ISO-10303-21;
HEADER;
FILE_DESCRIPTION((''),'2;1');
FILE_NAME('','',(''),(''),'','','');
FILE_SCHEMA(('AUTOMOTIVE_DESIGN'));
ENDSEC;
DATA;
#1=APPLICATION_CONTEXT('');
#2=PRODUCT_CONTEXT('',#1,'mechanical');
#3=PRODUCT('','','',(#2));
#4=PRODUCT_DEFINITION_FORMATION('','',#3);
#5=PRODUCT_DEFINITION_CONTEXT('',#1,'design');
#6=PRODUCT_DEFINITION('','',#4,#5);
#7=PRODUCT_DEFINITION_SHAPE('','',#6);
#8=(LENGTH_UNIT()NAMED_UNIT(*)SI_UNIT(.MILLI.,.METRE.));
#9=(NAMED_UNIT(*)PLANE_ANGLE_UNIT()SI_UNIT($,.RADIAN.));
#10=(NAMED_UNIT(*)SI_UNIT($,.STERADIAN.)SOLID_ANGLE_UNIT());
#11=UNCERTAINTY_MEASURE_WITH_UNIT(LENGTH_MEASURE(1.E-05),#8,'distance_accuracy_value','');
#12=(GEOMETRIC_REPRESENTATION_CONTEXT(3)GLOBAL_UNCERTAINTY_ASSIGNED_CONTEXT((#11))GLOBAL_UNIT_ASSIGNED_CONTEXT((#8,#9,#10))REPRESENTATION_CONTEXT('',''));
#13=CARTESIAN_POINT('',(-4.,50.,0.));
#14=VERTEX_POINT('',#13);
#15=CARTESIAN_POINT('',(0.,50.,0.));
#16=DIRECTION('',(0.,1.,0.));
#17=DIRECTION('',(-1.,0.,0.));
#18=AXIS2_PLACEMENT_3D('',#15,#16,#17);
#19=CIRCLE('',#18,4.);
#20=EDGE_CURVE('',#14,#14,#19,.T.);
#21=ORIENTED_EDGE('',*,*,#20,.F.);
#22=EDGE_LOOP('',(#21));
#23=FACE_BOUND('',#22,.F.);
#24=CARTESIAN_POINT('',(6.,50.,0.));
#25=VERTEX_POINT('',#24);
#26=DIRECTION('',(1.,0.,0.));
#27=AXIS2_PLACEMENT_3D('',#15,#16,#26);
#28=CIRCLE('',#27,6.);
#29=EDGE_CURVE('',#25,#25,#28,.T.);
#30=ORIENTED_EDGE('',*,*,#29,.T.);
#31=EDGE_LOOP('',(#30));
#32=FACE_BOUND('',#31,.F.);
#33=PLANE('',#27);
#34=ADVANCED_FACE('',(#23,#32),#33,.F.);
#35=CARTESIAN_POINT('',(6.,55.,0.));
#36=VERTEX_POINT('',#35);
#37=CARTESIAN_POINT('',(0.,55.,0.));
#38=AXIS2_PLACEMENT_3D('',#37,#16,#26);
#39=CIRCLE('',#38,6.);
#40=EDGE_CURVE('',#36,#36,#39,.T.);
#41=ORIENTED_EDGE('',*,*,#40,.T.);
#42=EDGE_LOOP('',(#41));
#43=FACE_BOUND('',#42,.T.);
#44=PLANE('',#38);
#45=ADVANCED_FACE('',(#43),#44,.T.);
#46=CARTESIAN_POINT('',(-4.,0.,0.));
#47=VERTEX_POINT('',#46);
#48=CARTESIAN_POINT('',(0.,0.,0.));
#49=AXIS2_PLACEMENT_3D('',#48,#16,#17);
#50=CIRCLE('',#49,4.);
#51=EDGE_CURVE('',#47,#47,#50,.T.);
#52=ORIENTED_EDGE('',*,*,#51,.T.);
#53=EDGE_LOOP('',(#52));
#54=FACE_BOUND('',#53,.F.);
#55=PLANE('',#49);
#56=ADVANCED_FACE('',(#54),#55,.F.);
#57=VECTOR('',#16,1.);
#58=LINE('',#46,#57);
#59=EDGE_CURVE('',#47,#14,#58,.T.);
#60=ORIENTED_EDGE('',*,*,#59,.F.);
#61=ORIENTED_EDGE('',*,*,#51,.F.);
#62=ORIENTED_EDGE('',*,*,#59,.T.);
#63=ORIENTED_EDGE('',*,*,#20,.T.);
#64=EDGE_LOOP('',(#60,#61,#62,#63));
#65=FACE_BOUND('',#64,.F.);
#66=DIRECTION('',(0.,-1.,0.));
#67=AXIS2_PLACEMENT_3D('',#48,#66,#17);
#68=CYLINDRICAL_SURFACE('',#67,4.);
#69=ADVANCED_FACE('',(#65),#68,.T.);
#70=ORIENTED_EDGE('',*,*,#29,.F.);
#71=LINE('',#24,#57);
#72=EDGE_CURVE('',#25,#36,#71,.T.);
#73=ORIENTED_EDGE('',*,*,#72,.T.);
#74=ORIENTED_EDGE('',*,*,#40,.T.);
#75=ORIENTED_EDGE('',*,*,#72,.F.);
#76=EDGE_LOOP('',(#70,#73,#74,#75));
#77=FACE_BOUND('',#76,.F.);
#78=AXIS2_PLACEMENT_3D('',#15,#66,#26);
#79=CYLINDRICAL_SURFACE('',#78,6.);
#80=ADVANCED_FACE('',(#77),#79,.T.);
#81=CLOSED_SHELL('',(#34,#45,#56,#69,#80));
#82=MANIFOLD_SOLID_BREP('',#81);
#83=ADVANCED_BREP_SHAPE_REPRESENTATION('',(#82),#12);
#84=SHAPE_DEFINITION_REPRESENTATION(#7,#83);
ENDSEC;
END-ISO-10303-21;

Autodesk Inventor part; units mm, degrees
ref_plane "YZ Plane" through (0, 0, 0) normal (1, 0, 0) x (0, 1, 0)
ref_plane "XZ Plane" through (0, 0, 0) normal (0, 1, 0) x (-1, 0, 0)
ref_plane "XY Plane" through (0, 0, 0) normal (0, 0, 1) x (1, 0, 0)
sketch "Sketch1" plane through (0, 0, 0) normal (0, 1, 0) x (-1, 0, 0)
  circle A0 centre (0, 0) radius 4
  dimension "d0" = 8
extrude "Extrusion1" add sketch "Sketch1" along normal blind 50
sketch "Sketch2" plane through (0, 50, 0) normal (0, 1, 0) x (1, 0, 0)
  circle A0 centre (0, 0) radius 6
  dimension "d3" = 12
extrude "Extrusion2" add sketch "Sketch2" along normal blind 5
properties part number "khurramf_01_Axle"
